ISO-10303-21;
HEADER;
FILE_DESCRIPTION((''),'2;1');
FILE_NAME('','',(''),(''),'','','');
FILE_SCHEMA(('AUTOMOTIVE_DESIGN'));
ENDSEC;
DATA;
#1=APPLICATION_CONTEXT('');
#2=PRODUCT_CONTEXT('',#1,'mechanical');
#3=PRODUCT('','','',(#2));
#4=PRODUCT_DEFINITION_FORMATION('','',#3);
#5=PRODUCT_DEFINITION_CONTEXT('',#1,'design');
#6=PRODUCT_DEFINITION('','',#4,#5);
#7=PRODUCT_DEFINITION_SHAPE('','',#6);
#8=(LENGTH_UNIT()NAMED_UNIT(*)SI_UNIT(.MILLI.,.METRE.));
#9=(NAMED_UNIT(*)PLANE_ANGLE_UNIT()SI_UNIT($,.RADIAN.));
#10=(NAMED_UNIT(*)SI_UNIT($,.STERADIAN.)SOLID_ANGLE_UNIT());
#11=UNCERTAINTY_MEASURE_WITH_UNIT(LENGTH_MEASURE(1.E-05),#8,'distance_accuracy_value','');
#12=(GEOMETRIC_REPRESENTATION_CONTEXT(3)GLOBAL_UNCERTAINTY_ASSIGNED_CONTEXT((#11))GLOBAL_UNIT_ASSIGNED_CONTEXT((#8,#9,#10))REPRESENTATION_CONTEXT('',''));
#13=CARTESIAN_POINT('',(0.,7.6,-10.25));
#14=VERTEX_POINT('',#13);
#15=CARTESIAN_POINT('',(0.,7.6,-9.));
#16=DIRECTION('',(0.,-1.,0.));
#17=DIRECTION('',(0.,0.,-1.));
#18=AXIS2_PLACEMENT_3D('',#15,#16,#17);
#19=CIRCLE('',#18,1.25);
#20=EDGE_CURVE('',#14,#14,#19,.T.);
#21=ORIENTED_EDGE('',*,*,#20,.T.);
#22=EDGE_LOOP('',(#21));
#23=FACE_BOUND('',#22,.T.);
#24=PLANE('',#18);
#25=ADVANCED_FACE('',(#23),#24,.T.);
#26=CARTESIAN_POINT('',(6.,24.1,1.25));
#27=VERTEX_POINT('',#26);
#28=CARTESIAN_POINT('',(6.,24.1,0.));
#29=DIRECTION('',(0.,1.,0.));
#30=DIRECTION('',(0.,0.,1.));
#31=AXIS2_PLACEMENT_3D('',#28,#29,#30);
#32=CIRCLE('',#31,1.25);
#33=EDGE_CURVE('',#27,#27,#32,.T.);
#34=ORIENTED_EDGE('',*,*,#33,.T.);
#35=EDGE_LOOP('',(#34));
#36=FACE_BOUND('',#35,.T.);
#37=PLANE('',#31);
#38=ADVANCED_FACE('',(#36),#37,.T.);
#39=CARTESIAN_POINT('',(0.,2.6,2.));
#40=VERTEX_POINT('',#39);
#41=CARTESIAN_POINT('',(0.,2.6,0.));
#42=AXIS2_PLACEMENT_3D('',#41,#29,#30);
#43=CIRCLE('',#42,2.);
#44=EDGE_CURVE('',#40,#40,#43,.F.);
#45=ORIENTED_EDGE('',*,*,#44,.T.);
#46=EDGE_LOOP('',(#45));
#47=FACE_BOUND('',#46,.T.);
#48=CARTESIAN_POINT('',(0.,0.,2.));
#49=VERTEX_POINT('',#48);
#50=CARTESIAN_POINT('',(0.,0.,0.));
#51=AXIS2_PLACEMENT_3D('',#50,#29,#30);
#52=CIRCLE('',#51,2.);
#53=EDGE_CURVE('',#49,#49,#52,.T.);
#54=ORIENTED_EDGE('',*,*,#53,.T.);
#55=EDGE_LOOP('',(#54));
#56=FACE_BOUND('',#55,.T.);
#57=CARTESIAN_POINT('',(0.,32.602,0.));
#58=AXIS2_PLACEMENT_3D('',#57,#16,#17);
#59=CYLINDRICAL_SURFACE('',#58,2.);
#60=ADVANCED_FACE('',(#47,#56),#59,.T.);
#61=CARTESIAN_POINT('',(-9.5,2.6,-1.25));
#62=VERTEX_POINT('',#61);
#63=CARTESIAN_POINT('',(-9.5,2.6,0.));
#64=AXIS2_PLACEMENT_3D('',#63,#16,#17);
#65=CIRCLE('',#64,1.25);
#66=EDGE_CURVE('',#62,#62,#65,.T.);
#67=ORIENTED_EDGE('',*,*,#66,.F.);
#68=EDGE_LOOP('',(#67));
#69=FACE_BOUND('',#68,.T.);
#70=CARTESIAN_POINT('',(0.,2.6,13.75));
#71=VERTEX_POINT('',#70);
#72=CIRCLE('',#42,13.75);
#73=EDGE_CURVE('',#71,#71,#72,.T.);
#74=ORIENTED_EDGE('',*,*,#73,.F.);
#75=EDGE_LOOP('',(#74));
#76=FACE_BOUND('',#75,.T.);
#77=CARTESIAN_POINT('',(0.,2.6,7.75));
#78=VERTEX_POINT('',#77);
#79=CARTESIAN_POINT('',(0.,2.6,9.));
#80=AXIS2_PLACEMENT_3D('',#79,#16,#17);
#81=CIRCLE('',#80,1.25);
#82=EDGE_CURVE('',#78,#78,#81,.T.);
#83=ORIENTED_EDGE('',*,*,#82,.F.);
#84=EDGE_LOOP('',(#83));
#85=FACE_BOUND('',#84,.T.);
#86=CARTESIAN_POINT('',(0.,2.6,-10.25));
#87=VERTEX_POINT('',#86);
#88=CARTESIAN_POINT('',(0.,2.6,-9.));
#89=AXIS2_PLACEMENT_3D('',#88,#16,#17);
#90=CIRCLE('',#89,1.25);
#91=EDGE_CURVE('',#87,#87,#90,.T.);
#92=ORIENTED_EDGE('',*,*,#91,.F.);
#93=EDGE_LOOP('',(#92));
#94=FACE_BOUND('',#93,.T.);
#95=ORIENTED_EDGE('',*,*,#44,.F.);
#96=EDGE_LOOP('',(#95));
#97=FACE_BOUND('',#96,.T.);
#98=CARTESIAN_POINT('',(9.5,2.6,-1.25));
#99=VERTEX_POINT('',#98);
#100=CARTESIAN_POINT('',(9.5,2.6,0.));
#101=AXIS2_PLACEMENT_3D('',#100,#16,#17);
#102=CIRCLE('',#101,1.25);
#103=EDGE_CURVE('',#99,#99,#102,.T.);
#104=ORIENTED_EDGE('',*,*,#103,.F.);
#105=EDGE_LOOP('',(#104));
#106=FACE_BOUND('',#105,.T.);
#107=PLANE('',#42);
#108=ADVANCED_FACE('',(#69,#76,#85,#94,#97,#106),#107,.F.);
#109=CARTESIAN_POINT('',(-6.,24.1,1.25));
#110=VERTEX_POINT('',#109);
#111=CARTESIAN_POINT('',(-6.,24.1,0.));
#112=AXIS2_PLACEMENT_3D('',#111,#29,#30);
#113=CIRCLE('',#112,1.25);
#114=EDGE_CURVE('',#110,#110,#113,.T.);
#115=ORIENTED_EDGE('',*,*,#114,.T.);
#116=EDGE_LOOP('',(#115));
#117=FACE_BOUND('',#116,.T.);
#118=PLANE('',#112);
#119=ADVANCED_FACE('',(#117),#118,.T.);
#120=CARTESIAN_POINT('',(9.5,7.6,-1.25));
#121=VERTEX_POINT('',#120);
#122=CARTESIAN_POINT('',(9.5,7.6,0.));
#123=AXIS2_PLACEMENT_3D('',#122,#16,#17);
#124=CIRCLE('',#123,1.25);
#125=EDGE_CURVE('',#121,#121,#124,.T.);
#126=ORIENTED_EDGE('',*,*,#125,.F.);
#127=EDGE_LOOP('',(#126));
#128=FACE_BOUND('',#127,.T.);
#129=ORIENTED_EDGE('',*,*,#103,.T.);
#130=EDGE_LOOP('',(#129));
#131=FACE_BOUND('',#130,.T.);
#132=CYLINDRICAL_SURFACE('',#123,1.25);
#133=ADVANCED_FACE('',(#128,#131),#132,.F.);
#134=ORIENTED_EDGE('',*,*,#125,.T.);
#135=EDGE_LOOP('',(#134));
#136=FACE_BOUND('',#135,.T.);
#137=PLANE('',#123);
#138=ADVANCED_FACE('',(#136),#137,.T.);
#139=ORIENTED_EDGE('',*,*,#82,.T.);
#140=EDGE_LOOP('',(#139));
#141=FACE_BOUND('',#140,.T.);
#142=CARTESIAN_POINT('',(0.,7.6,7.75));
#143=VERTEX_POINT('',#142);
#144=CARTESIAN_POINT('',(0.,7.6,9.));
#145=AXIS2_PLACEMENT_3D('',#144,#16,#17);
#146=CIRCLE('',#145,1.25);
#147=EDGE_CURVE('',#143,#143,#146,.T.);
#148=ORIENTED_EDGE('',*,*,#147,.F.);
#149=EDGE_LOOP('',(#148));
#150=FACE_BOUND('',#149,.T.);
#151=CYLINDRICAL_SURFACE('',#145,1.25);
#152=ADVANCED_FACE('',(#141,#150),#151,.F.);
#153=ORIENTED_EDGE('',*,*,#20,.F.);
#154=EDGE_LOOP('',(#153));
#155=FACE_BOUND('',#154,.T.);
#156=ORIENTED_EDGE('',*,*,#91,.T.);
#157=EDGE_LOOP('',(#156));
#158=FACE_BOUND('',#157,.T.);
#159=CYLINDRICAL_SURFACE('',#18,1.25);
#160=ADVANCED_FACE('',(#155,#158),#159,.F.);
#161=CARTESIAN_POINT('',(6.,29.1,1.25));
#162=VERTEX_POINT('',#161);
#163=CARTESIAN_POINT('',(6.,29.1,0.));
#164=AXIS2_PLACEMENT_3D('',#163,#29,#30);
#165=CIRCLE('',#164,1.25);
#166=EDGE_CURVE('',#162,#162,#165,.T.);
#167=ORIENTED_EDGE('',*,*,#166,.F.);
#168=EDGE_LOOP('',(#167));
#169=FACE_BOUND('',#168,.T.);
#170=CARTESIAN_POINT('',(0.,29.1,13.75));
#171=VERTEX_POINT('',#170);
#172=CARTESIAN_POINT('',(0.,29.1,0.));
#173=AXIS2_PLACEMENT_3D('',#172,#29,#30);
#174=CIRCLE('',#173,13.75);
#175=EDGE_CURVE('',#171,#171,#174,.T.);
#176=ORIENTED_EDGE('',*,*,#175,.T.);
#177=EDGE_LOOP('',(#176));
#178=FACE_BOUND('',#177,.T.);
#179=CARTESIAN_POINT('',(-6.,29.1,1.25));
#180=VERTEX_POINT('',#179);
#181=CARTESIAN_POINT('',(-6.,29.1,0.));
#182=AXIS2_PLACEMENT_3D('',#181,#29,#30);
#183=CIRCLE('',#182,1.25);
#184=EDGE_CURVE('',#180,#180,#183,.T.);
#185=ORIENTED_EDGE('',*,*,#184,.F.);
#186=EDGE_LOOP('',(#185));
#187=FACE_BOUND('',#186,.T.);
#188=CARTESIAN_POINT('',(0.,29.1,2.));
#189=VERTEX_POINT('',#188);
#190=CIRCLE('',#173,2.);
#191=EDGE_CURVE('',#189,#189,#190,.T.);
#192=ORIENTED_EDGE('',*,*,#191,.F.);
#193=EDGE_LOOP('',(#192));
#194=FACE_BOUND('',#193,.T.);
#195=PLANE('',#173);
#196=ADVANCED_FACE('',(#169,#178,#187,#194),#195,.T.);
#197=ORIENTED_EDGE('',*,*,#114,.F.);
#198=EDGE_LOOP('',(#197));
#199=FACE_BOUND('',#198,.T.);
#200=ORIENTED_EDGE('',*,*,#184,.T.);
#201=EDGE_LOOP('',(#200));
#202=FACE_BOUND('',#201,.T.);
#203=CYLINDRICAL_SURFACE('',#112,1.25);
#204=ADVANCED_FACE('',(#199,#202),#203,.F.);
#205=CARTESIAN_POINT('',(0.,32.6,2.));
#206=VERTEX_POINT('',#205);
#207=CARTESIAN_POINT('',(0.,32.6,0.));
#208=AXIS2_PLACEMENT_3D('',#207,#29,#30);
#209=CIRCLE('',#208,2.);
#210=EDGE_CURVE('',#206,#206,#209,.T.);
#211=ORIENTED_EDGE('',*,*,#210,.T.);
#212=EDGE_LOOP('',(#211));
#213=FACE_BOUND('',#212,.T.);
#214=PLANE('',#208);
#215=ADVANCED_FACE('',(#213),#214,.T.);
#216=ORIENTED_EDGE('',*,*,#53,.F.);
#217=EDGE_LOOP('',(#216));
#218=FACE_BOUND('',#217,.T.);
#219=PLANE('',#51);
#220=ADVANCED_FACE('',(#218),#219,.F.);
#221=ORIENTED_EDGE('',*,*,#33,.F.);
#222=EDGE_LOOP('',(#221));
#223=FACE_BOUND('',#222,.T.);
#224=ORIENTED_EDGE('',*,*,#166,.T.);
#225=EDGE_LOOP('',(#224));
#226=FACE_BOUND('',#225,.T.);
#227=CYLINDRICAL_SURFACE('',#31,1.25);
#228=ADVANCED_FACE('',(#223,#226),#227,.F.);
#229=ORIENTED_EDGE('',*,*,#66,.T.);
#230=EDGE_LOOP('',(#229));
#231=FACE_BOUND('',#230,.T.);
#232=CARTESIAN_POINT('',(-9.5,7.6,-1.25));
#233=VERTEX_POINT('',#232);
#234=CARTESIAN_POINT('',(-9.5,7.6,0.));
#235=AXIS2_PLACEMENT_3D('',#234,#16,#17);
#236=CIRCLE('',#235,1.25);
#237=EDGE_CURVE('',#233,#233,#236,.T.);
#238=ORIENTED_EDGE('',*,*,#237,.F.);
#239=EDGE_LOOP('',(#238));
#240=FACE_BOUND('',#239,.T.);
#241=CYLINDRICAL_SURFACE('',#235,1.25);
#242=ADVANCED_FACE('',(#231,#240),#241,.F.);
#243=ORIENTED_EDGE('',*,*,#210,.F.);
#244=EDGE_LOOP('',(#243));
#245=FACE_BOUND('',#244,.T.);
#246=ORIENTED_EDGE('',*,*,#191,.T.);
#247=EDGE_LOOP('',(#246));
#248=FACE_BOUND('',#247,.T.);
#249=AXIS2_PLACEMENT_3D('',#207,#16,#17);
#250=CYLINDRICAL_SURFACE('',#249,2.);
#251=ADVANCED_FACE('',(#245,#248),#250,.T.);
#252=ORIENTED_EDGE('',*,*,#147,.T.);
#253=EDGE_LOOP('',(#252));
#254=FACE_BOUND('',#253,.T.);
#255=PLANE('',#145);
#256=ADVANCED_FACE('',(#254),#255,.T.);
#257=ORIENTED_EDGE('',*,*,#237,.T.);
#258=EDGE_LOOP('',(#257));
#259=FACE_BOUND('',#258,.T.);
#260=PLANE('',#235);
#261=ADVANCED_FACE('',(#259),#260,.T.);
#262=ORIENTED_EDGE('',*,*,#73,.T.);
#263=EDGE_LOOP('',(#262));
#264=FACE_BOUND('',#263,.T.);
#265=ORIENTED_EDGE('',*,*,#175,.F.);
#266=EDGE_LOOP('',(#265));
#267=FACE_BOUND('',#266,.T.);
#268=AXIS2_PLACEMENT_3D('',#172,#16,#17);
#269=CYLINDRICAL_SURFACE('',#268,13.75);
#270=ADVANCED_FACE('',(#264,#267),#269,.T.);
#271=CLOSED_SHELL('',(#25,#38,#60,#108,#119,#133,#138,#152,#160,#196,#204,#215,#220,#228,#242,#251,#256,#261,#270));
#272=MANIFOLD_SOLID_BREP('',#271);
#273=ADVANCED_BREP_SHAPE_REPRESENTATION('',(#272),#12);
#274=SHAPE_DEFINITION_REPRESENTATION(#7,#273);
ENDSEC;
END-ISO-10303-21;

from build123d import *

# Parameters (mm, degrees)
SKETCH2_R           = 13.75
BOSS_EXTRUDE1_DEPTH = 26.5
SKETCH3_R           = 2
BOSS_EXTRUDE2_DEPTH = 3.5
SKETCH4_R           = 1.25
CUT_EXTRUDE1_DEPTH  = 5
BOSS_EXTRUDE3_REACH = 39.959
SKETCH1_R           = 2
SKETCH5_R           = 1.25
CUT_EXTRUDE2_DEPTH  = 5


with BuildPart() as part:
    # Sketch2 → Boss-Extrude1 (new body)
    with BuildSketch(Plane(origin=(0, 2.6, 0), x_dir=(1, 0, 0), z_dir=(0, 1, 0))):
        with Locations(Location((0, 0, 0), (0, 0, 270))):
            Circle(SKETCH2_R)
    extrude(amount=BOSS_EXTRUDE1_DEPTH)

    # Sketch3 → Boss-Extrude2 (add)
    with BuildSketch(Plane(origin=(0, 29.1, 0), x_dir=(1, 0, 0), z_dir=(0, 1, 0))):
        with Locations(Location((0, 0, 0), (0, 0, 270))):
            Circle(SKETCH3_R)
    extrude(amount=BOSS_EXTRUDE2_DEPTH)

    # Sketch4 → Cut-Extrude1 (cut)
    with BuildSketch(Plane(origin=(0, 29.1, 0), x_dir=(1, 0, 0), z_dir=(0, 1, 0))):
        with Locations(Location((-6, 0, 0), (0, 0, 270))):
            Circle(SKETCH4_R)
        with Locations(Location((6, 0, 0), (0, 0, 270))):
            Circle(SKETCH4_R)
    extrude(amount=-CUT_EXTRUDE1_DEPTH, mode=Mode.SUBTRACT)

    # Sketch1 → Boss-Extrude3 (add, up to next)
    with BuildSketch(Plane(origin=(0, 0, 0), x_dir=(1, 0, 0), z_dir=(0, 1, 0)), mode=Mode.PRIVATE) as boss_extrude3_sk1:
        with Locations(Location((0, 0, 0), (0, 0, 270))):
            Circle(SKETCH1_R)
    boss_extrude3_tool1 = extrude(boss_extrude3_sk1.sketch, amount=BOSS_EXTRUDE3_REACH, mode=Mode.PRIVATE) - part.part
    add(boss_extrude3_tool1.solids().sort_by_distance((0, 0, 0))[0])

    # Sketch5 → Cut-Extrude2 (cut)
    with BuildSketch(Plane.XZ.offset(-2.6)):
        with Locations(Location((0, 9.000000034, 0), (0, 0, 270))):
            Circle(SKETCH5_R)
        with Locations(Location((0, -9.000000034, 0), (0, 0, 270))):
            Circle(SKETCH5_R)
        with Locations(Location((-9.5000001, 0, 0), (0, 0, 270))):
            Circle(SKETCH5_R)
        with Locations(Location((9.5, 0, 0), (0, 0, 270))):
            Circle(SKETCH5_R)
    extrude(amount=-CUT_EXTRUDE2_DEPTH, mode=Mode.SUBTRACT)


solid = part.part
